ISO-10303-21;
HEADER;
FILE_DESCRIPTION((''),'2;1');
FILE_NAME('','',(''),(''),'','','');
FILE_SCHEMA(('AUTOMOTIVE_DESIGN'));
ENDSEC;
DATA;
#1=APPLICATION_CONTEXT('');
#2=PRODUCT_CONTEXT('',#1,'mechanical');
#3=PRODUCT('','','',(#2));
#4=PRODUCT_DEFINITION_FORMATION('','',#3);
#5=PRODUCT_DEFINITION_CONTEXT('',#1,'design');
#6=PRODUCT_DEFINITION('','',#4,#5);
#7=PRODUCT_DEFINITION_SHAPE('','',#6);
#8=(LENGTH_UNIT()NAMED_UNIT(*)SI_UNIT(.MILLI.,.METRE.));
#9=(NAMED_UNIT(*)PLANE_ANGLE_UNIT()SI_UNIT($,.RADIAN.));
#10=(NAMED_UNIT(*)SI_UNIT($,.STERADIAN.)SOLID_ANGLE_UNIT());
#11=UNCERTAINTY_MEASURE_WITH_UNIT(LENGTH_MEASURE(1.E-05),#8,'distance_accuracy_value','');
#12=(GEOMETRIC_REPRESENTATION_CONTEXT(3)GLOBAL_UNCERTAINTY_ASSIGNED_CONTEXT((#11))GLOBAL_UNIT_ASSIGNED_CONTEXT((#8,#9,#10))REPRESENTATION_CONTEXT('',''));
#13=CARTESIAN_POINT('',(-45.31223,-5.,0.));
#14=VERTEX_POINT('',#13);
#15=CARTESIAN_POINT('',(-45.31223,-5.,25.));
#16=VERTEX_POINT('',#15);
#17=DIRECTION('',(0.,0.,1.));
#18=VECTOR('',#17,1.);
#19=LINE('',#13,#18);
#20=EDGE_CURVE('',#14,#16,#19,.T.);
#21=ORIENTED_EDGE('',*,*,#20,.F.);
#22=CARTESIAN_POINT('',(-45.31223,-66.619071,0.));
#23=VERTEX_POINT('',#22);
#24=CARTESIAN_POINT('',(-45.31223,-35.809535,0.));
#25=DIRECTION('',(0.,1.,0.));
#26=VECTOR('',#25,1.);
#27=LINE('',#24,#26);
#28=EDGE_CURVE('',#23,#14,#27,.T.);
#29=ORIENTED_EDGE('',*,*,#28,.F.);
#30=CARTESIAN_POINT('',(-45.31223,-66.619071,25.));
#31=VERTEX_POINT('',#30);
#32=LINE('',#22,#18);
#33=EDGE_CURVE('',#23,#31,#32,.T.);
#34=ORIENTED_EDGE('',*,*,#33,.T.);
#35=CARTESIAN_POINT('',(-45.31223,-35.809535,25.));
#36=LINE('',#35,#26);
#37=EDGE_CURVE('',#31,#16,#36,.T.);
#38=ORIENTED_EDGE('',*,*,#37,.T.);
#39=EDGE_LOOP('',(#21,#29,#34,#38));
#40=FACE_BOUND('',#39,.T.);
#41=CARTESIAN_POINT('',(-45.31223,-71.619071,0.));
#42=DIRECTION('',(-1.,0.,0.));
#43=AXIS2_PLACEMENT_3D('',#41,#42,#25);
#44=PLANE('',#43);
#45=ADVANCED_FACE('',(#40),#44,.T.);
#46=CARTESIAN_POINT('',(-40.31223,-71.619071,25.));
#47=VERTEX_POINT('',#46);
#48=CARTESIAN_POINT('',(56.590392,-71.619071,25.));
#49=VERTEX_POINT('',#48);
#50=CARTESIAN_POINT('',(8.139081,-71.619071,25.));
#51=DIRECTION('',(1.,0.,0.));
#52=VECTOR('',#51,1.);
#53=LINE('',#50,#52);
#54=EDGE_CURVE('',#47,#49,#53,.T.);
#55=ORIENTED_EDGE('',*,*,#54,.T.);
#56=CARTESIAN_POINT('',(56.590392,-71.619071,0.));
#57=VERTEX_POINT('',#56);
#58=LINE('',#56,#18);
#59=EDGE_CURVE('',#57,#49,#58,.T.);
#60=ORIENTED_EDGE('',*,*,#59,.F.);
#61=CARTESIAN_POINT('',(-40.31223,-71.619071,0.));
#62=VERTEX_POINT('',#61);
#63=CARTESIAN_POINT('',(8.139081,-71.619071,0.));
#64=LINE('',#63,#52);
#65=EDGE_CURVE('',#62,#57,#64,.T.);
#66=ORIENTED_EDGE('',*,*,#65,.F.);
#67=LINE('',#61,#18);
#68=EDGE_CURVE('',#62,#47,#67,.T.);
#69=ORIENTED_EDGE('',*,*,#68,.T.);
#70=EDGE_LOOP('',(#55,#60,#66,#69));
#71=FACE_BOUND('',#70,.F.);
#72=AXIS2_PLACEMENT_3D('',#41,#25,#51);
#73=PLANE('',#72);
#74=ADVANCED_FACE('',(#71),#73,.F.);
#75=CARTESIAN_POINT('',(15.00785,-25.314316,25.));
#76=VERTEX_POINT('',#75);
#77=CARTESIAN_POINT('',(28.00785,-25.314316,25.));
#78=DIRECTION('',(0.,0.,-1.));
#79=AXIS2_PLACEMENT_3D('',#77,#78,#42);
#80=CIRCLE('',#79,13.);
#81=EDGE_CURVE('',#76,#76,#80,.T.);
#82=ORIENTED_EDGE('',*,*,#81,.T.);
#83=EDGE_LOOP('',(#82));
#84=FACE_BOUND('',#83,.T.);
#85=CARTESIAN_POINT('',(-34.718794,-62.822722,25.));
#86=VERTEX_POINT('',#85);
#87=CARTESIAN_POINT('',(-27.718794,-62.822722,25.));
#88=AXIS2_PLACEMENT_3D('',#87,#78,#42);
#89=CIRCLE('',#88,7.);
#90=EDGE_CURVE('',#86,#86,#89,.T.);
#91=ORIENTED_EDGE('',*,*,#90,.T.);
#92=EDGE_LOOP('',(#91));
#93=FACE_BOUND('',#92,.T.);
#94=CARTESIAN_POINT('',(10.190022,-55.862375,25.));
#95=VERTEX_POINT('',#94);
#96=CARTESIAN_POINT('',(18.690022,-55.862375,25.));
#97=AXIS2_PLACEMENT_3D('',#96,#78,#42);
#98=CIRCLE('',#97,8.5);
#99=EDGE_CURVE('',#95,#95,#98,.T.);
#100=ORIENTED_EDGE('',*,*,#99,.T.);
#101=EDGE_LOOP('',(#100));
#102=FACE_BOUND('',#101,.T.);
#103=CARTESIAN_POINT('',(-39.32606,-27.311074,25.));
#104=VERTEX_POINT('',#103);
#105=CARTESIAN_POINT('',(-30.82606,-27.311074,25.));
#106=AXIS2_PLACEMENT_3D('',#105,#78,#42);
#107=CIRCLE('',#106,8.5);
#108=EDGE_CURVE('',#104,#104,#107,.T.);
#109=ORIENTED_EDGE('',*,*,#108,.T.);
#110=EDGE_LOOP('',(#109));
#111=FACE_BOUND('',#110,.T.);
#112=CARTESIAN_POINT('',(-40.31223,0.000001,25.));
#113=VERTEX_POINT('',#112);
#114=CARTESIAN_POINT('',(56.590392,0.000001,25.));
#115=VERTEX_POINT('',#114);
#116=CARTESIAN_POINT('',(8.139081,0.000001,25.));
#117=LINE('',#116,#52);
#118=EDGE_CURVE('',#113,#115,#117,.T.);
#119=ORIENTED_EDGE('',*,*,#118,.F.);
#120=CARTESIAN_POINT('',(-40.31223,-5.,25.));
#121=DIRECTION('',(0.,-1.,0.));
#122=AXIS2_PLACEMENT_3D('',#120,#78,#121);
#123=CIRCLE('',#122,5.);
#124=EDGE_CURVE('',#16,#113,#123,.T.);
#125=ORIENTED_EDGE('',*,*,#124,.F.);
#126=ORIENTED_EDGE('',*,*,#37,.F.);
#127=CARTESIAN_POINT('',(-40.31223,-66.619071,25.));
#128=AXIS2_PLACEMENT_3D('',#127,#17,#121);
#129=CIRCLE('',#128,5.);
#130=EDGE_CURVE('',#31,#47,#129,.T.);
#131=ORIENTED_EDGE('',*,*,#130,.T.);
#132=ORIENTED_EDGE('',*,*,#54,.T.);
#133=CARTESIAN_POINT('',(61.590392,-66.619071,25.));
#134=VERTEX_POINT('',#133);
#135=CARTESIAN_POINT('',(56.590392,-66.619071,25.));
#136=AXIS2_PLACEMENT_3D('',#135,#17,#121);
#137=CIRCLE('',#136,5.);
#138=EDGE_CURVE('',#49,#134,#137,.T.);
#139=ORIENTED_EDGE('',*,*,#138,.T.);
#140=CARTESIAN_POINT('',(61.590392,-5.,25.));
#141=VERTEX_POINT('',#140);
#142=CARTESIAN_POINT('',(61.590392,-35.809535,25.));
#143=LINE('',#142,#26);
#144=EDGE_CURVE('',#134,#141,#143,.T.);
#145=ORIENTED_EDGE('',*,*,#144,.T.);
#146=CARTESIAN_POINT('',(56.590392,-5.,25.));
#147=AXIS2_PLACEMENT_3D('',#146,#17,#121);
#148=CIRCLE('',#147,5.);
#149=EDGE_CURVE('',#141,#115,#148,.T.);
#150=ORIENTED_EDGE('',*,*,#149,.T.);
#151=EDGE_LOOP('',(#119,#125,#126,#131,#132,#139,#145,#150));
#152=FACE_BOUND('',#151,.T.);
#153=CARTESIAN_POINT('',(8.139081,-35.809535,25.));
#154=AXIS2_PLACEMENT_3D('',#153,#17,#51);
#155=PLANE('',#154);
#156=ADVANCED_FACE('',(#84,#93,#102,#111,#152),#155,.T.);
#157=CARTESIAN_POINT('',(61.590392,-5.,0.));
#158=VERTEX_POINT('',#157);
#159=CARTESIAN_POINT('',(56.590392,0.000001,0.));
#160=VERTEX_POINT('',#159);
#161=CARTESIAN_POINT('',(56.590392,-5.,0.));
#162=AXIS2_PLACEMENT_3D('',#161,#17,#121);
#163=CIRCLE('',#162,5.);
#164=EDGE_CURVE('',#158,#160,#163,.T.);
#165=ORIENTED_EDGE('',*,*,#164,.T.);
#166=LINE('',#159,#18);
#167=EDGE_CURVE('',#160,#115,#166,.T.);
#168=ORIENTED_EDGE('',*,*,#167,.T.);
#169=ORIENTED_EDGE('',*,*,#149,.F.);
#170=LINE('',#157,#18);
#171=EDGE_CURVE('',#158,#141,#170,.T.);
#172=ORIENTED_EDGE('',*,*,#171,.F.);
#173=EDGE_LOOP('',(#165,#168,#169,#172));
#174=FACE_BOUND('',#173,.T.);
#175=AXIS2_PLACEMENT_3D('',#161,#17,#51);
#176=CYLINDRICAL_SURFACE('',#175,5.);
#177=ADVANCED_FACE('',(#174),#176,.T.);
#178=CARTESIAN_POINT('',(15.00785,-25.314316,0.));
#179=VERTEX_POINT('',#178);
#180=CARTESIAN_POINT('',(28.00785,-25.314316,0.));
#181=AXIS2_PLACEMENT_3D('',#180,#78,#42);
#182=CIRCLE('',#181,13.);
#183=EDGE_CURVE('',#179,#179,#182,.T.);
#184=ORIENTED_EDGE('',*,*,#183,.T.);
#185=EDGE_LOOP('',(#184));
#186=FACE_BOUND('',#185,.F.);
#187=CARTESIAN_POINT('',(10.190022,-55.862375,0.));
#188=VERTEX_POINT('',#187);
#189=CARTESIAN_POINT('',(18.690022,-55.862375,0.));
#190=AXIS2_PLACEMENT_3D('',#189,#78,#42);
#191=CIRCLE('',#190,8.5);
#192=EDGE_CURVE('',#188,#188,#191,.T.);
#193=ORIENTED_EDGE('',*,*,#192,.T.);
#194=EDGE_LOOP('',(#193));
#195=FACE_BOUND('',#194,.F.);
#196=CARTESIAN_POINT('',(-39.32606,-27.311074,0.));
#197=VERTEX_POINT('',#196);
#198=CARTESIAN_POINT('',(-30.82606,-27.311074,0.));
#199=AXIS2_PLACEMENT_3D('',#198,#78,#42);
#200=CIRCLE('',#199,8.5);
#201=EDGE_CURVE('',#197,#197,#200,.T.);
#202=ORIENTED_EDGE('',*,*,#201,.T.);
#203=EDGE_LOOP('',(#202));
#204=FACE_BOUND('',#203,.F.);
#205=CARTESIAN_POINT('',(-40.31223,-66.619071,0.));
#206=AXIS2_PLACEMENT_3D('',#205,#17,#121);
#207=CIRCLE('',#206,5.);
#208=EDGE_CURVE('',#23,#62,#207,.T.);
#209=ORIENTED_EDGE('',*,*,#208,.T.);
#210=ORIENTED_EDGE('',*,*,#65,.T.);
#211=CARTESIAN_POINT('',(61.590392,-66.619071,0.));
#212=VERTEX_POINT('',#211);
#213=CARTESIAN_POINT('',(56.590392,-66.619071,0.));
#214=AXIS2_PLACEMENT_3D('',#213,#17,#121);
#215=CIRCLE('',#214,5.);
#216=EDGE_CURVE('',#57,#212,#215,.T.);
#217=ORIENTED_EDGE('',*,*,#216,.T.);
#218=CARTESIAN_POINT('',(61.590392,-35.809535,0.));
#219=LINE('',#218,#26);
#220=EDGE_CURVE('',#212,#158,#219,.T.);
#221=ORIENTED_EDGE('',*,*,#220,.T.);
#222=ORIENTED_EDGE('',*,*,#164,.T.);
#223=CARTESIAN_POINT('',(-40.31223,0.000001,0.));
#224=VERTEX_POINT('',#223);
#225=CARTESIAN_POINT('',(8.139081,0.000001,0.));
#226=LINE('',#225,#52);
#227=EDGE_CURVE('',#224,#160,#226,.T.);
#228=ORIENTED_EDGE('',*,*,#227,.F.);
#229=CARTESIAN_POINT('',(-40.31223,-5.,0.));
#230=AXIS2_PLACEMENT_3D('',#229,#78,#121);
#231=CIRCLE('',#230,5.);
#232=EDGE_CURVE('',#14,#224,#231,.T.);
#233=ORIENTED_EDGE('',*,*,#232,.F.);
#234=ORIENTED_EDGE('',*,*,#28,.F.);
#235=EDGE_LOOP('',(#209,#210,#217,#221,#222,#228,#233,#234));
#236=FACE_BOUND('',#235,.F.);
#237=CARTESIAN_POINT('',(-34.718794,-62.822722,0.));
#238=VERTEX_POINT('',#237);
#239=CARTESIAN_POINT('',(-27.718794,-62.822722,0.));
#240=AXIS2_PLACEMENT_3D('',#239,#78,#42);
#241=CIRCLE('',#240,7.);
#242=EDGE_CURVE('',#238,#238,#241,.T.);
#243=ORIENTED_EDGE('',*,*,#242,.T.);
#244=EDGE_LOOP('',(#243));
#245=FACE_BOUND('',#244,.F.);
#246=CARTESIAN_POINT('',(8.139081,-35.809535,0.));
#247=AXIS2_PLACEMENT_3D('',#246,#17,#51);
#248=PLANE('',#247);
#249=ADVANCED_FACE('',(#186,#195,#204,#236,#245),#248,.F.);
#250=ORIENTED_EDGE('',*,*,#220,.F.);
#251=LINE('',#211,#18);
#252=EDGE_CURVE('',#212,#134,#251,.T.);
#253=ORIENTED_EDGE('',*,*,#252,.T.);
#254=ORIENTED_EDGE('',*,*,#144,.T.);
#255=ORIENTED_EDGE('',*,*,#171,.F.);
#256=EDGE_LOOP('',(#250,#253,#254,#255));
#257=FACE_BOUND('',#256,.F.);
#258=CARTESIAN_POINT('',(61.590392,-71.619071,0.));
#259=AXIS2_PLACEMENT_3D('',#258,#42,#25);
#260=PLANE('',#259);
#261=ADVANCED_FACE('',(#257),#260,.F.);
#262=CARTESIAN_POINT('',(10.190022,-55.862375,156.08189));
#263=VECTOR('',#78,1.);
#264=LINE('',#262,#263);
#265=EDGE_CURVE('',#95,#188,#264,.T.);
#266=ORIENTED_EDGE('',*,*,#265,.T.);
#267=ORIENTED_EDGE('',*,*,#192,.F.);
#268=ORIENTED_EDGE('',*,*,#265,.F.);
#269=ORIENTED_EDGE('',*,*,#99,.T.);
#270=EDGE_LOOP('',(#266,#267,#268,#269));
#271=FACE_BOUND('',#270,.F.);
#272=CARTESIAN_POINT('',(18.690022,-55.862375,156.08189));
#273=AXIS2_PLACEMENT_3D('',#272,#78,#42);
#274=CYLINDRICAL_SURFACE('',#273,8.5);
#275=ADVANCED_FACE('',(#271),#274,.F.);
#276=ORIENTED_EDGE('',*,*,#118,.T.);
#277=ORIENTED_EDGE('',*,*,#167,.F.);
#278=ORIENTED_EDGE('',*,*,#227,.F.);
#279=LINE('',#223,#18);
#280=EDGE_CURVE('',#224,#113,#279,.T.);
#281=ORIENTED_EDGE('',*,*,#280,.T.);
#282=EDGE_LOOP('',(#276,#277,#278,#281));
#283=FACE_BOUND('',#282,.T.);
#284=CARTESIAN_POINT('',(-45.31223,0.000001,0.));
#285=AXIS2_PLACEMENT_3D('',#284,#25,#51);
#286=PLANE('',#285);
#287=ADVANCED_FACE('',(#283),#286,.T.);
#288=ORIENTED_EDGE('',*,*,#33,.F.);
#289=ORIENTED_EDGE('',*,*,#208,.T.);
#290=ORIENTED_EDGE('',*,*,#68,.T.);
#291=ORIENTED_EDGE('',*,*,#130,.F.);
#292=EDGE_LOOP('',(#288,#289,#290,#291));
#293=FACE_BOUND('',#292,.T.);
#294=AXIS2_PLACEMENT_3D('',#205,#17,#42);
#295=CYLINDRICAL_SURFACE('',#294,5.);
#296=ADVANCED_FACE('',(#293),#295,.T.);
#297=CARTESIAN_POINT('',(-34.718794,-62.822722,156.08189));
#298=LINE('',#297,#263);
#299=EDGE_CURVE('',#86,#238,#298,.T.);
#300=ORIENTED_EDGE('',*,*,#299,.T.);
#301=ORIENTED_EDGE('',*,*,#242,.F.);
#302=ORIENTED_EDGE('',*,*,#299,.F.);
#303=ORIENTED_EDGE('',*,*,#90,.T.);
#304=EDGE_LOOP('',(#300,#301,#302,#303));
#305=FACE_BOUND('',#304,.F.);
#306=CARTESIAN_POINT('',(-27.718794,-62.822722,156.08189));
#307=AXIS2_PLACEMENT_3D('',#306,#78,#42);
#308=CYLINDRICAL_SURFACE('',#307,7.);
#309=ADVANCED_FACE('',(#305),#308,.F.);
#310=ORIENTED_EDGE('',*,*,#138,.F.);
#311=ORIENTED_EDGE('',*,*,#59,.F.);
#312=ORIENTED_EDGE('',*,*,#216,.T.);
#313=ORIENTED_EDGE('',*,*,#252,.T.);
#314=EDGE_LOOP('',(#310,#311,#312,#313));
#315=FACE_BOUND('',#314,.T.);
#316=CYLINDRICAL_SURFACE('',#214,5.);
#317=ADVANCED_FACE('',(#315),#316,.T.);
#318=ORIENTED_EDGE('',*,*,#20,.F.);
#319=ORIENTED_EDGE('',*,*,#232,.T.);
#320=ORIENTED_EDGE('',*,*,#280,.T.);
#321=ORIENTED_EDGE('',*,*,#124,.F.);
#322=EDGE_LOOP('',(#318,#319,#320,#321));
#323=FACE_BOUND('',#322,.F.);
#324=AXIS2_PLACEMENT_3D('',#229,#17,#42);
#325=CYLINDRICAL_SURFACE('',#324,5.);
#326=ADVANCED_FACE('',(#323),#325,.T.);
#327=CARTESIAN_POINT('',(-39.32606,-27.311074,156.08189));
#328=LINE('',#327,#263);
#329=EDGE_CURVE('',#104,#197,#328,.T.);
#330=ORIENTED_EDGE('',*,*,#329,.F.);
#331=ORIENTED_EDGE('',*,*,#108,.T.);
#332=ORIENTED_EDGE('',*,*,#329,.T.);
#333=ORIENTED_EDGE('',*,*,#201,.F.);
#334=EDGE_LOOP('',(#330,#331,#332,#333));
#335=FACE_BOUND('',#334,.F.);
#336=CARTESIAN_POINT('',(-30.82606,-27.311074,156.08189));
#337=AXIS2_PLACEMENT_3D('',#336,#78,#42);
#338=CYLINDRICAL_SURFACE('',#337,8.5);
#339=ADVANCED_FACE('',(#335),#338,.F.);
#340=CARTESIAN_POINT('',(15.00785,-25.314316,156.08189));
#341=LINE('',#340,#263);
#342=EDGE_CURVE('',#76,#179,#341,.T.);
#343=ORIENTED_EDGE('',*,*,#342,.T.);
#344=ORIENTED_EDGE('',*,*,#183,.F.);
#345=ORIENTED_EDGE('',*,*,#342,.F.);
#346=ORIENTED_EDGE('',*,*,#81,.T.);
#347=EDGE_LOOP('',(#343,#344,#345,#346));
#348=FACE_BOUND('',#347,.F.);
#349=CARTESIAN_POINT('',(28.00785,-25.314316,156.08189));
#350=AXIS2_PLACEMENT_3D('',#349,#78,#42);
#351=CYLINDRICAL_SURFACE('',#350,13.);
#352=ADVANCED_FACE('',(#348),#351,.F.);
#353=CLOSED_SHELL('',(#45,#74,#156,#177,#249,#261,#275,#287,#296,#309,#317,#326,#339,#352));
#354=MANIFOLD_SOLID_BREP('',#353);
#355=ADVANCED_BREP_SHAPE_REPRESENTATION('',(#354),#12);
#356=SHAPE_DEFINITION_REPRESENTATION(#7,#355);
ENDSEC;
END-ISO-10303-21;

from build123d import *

# Parameters (mm, degrees)
F0_W     = 106.902622
F0_H     = 71.619071
F1_DEPTH = 25
F2_R     = 5
F4_D     = 14
F5_D     = 17
F6_D     = 17
F7_D     = 26


with BuildPart() as f1:
    # F0 (on Top) → F1 (new body)
    with BuildSketch(Plane.XY):
        with Locations((8.139081, -35.809535)):
            Rectangle(F0_W, F0_H)
    extrude(amount=F1_DEPTH)

    # F2
    f2_edges = [f1.edges().sort_by_distance(p)[0] for p in [
        (-45.31223, -71.619071, 12.5),
        (61.590392, -71.619071, 12.5),
        (61.590392, 0, 12.5),
        (-45.31223, 0, 12.5),
    ]]
    fillet(f2_edges, radius=F2_R)

    # F4 (through all)
    with Locations(Plane.XY.offset(25)):
        with Locations((-27.718794, -62.822722)):
            Hole(F4_D / 2)

    # F5 (through all)
    with Locations(Plane.XY.offset(25)):
        with Locations((-30.82606, -27.311074)):
            Hole(F5_D / 2)

    # F6 (through all)
    with Locations(Plane.XY.offset(25)):
        with Locations((18.690022, -55.862375)):
            Hole(F6_D / 2)

    # F7 (through all)
    with Locations(Plane.XY.offset(25)):
        with Locations((28.00785, -25.314316)):
            Hole(F7_D / 2)


solid = f1.part
